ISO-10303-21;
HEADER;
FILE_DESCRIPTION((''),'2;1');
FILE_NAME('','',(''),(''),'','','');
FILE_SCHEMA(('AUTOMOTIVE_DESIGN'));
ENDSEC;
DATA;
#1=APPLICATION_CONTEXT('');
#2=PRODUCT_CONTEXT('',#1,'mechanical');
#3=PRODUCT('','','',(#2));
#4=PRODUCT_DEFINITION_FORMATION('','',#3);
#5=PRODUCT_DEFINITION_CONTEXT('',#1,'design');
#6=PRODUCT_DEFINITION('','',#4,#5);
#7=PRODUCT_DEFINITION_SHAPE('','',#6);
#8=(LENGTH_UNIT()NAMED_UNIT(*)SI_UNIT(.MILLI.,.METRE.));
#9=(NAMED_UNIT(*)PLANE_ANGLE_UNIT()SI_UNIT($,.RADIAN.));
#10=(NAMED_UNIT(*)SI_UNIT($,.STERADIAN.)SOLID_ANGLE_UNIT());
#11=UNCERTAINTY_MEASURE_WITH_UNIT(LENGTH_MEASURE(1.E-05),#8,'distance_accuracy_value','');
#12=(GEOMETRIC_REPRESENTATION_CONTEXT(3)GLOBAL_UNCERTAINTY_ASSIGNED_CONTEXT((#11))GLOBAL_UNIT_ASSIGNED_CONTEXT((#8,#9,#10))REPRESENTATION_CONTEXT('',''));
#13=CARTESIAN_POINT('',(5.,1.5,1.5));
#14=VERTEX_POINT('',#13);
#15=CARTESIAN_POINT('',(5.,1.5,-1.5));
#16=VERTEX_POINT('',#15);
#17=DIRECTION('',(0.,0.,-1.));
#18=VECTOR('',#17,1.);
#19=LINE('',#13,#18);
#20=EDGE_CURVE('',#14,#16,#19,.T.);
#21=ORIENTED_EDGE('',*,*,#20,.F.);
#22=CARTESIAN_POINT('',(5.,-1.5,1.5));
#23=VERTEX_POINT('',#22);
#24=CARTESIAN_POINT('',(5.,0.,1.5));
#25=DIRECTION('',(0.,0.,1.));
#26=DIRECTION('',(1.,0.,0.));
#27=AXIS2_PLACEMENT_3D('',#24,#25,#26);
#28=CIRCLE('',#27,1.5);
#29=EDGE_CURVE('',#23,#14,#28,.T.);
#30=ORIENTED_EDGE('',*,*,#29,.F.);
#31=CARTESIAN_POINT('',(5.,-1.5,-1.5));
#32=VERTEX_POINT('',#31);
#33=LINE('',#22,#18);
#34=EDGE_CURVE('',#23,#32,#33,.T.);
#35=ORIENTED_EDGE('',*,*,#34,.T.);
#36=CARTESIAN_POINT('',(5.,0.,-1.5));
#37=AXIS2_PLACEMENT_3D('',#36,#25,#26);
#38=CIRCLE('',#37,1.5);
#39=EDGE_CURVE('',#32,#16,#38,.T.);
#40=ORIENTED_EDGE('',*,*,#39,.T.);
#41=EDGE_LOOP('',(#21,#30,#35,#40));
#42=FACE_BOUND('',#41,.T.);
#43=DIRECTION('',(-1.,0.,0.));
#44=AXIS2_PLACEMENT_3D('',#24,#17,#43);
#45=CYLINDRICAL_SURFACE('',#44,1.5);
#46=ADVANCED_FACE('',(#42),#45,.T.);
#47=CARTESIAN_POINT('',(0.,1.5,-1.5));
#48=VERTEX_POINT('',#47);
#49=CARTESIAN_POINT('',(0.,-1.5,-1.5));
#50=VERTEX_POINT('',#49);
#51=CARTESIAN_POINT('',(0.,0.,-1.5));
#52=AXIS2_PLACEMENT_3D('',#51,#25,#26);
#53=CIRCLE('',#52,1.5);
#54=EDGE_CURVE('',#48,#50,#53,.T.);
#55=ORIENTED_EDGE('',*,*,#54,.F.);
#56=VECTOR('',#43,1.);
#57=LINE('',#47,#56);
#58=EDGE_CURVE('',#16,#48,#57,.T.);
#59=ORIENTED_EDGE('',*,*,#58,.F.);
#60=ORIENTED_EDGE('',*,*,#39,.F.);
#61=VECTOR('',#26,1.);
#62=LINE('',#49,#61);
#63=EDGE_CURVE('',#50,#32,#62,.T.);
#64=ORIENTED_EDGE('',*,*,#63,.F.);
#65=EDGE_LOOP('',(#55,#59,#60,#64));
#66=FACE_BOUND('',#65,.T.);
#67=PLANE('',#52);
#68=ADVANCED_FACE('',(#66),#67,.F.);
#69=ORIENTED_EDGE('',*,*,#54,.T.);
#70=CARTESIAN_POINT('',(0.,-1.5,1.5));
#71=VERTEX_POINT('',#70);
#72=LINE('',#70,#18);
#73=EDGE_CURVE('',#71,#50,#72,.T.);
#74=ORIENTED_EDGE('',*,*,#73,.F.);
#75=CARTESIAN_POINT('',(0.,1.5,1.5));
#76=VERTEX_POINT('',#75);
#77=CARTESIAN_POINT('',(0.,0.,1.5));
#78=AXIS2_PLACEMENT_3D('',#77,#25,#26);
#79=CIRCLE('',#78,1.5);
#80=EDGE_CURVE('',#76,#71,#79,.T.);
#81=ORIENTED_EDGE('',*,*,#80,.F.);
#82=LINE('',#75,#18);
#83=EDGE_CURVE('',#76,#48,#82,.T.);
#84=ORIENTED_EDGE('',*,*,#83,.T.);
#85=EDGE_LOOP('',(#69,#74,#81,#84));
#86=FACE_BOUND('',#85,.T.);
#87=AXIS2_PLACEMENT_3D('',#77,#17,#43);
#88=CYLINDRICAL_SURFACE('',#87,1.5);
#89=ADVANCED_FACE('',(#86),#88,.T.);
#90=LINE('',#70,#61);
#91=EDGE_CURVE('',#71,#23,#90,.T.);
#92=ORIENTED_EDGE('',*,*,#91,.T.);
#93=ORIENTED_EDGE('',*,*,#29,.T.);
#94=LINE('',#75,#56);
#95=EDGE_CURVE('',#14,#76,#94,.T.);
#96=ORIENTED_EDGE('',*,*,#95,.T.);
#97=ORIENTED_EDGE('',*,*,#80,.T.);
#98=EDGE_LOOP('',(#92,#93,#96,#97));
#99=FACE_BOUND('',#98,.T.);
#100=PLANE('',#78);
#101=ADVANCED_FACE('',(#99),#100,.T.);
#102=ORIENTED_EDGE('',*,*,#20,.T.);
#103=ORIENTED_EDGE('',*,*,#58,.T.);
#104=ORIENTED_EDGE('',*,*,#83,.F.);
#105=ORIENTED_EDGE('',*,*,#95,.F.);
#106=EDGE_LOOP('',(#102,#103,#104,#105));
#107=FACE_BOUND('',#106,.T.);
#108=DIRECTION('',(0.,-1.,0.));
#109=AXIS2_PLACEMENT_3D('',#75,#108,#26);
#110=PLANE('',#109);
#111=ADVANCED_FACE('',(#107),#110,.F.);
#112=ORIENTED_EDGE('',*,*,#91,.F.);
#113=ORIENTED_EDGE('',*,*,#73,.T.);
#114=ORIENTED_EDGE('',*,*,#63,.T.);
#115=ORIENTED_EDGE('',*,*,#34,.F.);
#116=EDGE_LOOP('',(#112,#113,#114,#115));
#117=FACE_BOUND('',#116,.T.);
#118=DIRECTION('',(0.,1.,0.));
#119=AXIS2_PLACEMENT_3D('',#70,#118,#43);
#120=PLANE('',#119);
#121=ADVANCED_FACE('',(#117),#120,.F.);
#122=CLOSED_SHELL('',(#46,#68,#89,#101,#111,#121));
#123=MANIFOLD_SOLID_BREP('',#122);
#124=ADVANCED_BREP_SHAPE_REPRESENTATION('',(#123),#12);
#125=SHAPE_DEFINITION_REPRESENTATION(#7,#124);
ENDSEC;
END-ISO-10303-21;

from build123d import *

# Parameters (mm, degrees)
DODANIE_WYCI_GNI_CIE1_DEPTH = 1.5


with BuildPart() as part:
    # Szkic1 → Dodanie-wyciągnięcie1 (new, symmetric)
    with BuildSketch(Plane.XY):
        with BuildLine():
            Line((0, 1.5), (5, 1.5))
            ThreePointArc((5, 1.5), (6.5, 0), (5, -1.5))
            Line((5, -1.5), (0, -1.5))
            ThreePointArc((0, -1.5), (-1.5, 0), (0, 1.5))
        make_face()
    extrude(amount=DODANIE_WYCI_GNI_CIE1_DEPTH, both=True)


solid = part.part
